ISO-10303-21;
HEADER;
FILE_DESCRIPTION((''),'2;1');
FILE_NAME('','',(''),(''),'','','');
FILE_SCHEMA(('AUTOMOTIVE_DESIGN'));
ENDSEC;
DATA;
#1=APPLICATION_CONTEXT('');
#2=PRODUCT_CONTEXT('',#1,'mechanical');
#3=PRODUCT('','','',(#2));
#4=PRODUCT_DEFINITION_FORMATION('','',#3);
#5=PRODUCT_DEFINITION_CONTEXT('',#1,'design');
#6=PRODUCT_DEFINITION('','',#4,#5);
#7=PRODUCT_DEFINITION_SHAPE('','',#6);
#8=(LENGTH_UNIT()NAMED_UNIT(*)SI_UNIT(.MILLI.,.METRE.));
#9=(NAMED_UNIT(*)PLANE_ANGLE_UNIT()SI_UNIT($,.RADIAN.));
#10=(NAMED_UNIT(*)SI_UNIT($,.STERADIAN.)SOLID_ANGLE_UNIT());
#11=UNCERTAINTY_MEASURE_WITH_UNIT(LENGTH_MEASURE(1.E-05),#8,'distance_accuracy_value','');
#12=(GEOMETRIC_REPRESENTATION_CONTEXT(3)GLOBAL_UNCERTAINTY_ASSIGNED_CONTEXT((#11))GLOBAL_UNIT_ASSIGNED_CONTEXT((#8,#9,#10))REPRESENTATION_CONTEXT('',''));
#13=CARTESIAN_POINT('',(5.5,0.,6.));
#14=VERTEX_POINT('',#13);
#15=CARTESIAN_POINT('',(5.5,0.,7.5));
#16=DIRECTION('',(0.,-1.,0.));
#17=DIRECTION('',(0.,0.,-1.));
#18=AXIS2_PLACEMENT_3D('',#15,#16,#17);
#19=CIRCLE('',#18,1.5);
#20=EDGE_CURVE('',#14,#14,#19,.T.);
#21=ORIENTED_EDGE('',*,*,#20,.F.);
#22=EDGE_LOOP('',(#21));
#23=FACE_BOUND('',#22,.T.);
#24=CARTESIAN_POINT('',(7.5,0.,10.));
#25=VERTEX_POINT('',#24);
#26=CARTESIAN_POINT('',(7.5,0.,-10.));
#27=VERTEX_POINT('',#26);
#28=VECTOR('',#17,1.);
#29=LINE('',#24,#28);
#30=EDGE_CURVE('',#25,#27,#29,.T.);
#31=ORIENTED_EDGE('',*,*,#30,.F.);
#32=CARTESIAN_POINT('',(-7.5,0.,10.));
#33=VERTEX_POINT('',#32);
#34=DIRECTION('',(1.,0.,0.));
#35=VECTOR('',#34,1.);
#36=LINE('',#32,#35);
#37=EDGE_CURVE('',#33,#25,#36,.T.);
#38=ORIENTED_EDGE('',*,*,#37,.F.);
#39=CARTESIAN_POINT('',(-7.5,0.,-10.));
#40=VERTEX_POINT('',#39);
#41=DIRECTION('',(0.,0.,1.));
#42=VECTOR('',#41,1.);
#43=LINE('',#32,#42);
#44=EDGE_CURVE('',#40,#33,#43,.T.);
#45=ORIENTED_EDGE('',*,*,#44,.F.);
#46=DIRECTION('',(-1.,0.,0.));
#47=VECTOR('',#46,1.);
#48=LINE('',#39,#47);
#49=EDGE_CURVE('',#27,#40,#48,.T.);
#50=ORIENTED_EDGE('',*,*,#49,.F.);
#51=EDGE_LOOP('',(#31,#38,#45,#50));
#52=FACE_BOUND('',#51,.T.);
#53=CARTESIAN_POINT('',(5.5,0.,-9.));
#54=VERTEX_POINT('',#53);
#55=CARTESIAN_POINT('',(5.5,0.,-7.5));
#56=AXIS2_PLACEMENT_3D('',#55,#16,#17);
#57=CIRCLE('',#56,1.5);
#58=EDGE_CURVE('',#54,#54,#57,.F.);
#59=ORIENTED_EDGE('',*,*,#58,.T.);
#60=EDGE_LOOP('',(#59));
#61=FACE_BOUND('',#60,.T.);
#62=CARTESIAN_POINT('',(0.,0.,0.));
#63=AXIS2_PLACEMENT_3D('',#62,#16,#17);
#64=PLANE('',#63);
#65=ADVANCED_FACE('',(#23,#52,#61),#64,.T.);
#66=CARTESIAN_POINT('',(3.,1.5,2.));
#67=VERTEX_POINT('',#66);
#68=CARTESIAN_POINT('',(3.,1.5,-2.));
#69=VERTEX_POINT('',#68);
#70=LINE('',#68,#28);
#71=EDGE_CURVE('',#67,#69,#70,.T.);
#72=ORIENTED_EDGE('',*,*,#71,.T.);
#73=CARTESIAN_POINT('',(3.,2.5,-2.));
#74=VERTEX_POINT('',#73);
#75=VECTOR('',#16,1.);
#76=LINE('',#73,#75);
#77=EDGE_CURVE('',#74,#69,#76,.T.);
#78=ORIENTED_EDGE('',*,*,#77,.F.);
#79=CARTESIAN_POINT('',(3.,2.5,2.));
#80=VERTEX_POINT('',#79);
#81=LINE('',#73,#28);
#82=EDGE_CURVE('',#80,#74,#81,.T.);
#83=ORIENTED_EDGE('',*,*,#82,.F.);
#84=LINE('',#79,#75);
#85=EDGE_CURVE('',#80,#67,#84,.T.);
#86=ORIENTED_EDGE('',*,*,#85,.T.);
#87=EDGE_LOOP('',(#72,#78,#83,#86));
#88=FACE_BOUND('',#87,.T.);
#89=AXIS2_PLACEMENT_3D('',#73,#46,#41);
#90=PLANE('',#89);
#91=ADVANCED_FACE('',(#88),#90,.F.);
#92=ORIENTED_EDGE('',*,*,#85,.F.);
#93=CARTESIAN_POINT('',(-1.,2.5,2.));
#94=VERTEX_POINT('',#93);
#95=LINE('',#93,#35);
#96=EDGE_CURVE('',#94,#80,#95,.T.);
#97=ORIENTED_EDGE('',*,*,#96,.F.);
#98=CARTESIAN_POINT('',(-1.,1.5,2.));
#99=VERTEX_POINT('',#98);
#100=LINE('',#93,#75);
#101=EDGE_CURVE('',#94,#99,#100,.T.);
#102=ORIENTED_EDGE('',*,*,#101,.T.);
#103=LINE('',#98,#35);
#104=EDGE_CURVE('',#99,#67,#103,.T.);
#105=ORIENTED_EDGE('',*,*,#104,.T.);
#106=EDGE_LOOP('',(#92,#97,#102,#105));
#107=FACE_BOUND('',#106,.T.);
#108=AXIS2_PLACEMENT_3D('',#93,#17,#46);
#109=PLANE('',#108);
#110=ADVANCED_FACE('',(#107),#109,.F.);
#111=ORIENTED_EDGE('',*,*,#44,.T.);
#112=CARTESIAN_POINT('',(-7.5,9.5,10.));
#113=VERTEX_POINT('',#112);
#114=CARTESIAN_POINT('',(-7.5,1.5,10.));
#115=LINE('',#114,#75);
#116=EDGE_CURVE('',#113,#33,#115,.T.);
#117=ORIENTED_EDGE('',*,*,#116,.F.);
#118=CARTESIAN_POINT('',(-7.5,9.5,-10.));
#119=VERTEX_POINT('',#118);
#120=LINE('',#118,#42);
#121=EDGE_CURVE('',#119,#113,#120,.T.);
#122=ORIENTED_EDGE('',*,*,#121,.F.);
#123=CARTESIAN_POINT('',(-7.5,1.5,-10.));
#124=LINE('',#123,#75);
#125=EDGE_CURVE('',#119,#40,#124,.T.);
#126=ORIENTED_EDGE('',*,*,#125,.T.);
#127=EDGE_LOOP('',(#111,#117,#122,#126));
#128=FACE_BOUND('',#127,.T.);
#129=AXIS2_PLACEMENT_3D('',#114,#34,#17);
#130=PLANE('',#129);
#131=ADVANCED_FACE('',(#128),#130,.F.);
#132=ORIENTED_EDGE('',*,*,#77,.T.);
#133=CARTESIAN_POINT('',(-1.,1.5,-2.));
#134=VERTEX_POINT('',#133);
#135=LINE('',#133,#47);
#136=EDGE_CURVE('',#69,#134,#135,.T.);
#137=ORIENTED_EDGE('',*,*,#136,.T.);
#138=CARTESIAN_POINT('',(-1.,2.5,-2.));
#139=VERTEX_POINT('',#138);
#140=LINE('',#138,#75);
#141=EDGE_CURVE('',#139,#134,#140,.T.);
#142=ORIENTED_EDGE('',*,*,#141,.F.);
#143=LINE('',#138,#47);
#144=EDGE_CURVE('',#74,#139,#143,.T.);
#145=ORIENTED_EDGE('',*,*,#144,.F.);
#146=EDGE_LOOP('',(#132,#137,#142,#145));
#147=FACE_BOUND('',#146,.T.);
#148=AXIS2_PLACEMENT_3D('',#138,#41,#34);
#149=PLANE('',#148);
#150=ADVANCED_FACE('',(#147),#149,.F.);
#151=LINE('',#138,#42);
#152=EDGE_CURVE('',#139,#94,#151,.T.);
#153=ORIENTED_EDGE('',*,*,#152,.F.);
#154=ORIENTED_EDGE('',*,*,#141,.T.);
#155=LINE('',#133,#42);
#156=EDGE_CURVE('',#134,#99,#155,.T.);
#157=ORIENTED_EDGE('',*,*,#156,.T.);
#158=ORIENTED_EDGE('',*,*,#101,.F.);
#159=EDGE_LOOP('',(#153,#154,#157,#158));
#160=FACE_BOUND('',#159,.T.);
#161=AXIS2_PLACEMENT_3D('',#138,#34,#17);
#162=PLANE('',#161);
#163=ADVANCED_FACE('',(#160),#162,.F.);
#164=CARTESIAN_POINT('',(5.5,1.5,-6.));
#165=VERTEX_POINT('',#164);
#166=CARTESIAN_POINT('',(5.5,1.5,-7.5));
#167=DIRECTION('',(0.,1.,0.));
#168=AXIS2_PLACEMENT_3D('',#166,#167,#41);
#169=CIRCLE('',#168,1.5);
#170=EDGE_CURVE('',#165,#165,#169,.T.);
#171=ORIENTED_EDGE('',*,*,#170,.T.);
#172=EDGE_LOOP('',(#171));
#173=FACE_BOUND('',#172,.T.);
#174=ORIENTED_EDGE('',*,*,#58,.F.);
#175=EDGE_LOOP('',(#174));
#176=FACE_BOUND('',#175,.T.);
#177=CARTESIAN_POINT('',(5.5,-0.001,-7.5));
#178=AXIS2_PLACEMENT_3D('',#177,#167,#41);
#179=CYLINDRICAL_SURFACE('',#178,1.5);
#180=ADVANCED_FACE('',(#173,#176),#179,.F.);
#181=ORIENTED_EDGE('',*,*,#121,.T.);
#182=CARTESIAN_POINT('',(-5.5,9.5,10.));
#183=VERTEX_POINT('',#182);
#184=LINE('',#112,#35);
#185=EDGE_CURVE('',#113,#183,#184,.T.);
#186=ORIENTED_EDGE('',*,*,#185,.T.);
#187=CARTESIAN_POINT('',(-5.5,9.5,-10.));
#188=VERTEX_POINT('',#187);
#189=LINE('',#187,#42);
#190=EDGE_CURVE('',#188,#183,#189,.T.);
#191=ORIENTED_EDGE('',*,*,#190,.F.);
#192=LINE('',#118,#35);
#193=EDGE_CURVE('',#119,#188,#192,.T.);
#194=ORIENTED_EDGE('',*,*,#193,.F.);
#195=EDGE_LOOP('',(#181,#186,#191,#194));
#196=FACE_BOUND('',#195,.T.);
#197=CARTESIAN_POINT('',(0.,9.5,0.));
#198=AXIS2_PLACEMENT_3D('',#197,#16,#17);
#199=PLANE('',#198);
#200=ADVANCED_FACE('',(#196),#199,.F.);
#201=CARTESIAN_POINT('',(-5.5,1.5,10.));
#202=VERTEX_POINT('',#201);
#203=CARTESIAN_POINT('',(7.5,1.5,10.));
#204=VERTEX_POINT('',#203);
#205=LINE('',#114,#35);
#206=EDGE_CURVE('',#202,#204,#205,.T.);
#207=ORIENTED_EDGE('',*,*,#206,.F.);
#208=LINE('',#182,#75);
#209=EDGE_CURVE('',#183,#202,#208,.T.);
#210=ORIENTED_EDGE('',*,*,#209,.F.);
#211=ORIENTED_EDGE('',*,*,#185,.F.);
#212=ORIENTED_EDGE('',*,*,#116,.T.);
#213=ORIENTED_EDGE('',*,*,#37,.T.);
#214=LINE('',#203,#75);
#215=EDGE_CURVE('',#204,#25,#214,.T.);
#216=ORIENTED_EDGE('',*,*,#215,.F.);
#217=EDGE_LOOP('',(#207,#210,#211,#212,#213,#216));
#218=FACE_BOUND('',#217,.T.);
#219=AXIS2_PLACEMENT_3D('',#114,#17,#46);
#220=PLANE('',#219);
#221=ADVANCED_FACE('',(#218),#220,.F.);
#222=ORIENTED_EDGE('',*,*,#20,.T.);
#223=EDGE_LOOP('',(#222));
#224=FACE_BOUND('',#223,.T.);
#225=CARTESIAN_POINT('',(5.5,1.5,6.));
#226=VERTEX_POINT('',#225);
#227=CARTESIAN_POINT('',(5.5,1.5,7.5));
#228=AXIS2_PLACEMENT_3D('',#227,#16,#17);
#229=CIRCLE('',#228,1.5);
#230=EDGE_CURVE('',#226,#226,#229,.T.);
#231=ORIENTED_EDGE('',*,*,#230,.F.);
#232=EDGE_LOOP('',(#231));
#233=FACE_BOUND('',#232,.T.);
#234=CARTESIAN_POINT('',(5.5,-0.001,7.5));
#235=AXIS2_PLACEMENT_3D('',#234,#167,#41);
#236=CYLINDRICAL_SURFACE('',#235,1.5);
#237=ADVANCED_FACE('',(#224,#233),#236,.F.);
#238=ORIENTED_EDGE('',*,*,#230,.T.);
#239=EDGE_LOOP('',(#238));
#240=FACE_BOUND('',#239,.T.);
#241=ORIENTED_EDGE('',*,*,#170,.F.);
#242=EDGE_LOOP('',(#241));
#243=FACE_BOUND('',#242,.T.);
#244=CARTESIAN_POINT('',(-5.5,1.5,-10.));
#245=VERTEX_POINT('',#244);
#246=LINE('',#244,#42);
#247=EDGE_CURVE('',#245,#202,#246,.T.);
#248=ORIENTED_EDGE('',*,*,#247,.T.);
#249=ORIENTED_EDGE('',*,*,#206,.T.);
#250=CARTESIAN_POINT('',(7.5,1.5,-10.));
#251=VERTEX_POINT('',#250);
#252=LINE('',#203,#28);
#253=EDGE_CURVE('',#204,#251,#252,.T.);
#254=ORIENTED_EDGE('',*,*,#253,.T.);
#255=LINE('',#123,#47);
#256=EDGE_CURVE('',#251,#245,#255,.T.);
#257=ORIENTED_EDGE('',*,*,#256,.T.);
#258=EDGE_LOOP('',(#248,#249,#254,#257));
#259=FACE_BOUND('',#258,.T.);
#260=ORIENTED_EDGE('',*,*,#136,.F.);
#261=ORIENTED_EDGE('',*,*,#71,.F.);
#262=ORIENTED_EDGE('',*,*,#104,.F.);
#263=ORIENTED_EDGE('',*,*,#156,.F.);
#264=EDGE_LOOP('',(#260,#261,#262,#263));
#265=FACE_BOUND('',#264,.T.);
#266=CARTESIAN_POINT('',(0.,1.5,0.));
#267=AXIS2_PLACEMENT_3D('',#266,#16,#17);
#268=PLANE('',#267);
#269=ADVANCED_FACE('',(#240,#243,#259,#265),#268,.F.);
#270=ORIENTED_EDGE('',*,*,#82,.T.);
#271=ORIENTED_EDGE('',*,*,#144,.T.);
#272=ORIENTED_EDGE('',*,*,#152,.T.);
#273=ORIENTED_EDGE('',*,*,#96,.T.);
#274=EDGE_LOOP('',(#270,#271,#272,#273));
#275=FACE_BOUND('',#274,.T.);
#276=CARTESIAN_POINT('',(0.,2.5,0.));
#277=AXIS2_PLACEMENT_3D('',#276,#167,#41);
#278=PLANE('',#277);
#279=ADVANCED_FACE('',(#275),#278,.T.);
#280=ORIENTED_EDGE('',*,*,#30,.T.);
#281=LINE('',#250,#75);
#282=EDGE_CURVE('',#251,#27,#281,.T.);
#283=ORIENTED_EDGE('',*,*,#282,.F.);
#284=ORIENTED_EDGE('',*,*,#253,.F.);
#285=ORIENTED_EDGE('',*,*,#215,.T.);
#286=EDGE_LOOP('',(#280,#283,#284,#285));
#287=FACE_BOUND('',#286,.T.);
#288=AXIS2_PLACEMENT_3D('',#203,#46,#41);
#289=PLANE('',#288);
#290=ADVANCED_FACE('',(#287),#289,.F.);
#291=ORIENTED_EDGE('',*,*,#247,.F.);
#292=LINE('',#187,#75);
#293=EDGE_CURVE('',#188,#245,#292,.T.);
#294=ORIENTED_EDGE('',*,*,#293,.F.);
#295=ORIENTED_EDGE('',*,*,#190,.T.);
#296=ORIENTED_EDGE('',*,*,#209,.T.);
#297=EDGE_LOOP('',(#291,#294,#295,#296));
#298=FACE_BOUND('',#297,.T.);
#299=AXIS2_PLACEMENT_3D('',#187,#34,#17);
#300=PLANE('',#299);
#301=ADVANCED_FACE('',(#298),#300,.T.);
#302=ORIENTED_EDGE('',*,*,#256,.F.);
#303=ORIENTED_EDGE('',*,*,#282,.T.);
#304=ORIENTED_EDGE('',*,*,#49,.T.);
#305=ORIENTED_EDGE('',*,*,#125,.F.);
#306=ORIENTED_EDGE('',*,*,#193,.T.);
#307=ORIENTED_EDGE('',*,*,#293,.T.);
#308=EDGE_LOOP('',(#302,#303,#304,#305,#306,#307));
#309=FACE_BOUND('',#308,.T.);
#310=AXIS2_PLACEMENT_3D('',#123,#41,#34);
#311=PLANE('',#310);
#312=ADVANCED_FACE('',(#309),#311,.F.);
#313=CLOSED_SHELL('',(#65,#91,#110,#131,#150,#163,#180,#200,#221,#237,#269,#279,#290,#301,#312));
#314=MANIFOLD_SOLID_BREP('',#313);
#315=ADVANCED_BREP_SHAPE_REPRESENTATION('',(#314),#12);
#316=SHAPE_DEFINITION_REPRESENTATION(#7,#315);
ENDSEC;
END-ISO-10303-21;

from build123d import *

# Parameters (mm, degrees)
ESQUISSE1_W             = 15
ESQUISSE1_H             = 20
BOSS_EXTRU_1_DEPTH      = 1.5
ENL_V_MAT_EXTRU_1_REACH = 14.59
ESQUISSE2_R             = 1.5
ESQUISSE3_W             = 2
ESQUISSE3_H             = 20
BOSS_EXTRU_2_DEPTH      = 8
ESQUISSE4_W             = 4
ESQUISSE4_H             = 4
BOSS_EXTRU_3_DEPTH      = 1


with BuildPart() as part:
    # Esquisse1 → Boss.-Extru.1 (new body)
    with BuildSketch(Plane(origin=(0, 0, 0), x_dir=(1, 0, 0), z_dir=(0, 1, 0))):
        Rectangle(ESQUISSE1_W, ESQUISSE1_H)
    extrude(amount=BOSS_EXTRU_1_DEPTH)

    # Esquisse2 → Enlèv. mat.-Extru.1 (cut, up to next)
    with BuildSketch(Plane(origin=(0, 1.5, 0), x_dir=(1, 0, 0), z_dir=(0, 1, 0)), mode=Mode.PRIVATE) as enl_v_mat_extru_1_sk1:
        with Locations(Location((5.5, 7.5, 0), (0, 0, 270))):
            Circle(ESQUISSE2_R)
    enl_v_mat_extru_1_tool1 = extrude(enl_v_mat_extru_1_sk1.sketch, amount=-ENL_V_MAT_EXTRU_1_REACH, mode=Mode.PRIVATE) & part.part
    enl_v_mat_extru_1 = enl_v_mat_extru_1_tool1.solids().sort_by_distance((5.5, 1.5, -7.5))[0]
    add(enl_v_mat_extru_1, mode=Mode.SUBTRACT)

    # Symétrie1: Enlèv. mat.-Extru.1 across plane
    add(enl_v_mat_extru_1.mirror(Plane.XY), mode=Mode.SUBTRACT)

    # Esquisse3 → Boss.-Extru.2 (add)
    with BuildSketch(Plane(origin=(0, 1.5, 0), x_dir=(1, 0, 0), z_dir=(0, 1, 0))):
        with Locations((-6.5, 0)):
            Rectangle(ESQUISSE3_W, ESQUISSE3_H)
    extrude(amount=BOSS_EXTRU_2_DEPTH)

    # Esquisse4 → Boss.-Extru.3 (add)
    with BuildSketch(Plane(origin=(0, 1.5, 0), x_dir=(1, 0, 0), z_dir=(0, 1, 0))):
        with Locations((1, 0)):
            Rectangle(ESQUISSE4_W, ESQUISSE4_H)
    extrude(amount=BOSS_EXTRU_3_DEPTH)


solid = part.part
